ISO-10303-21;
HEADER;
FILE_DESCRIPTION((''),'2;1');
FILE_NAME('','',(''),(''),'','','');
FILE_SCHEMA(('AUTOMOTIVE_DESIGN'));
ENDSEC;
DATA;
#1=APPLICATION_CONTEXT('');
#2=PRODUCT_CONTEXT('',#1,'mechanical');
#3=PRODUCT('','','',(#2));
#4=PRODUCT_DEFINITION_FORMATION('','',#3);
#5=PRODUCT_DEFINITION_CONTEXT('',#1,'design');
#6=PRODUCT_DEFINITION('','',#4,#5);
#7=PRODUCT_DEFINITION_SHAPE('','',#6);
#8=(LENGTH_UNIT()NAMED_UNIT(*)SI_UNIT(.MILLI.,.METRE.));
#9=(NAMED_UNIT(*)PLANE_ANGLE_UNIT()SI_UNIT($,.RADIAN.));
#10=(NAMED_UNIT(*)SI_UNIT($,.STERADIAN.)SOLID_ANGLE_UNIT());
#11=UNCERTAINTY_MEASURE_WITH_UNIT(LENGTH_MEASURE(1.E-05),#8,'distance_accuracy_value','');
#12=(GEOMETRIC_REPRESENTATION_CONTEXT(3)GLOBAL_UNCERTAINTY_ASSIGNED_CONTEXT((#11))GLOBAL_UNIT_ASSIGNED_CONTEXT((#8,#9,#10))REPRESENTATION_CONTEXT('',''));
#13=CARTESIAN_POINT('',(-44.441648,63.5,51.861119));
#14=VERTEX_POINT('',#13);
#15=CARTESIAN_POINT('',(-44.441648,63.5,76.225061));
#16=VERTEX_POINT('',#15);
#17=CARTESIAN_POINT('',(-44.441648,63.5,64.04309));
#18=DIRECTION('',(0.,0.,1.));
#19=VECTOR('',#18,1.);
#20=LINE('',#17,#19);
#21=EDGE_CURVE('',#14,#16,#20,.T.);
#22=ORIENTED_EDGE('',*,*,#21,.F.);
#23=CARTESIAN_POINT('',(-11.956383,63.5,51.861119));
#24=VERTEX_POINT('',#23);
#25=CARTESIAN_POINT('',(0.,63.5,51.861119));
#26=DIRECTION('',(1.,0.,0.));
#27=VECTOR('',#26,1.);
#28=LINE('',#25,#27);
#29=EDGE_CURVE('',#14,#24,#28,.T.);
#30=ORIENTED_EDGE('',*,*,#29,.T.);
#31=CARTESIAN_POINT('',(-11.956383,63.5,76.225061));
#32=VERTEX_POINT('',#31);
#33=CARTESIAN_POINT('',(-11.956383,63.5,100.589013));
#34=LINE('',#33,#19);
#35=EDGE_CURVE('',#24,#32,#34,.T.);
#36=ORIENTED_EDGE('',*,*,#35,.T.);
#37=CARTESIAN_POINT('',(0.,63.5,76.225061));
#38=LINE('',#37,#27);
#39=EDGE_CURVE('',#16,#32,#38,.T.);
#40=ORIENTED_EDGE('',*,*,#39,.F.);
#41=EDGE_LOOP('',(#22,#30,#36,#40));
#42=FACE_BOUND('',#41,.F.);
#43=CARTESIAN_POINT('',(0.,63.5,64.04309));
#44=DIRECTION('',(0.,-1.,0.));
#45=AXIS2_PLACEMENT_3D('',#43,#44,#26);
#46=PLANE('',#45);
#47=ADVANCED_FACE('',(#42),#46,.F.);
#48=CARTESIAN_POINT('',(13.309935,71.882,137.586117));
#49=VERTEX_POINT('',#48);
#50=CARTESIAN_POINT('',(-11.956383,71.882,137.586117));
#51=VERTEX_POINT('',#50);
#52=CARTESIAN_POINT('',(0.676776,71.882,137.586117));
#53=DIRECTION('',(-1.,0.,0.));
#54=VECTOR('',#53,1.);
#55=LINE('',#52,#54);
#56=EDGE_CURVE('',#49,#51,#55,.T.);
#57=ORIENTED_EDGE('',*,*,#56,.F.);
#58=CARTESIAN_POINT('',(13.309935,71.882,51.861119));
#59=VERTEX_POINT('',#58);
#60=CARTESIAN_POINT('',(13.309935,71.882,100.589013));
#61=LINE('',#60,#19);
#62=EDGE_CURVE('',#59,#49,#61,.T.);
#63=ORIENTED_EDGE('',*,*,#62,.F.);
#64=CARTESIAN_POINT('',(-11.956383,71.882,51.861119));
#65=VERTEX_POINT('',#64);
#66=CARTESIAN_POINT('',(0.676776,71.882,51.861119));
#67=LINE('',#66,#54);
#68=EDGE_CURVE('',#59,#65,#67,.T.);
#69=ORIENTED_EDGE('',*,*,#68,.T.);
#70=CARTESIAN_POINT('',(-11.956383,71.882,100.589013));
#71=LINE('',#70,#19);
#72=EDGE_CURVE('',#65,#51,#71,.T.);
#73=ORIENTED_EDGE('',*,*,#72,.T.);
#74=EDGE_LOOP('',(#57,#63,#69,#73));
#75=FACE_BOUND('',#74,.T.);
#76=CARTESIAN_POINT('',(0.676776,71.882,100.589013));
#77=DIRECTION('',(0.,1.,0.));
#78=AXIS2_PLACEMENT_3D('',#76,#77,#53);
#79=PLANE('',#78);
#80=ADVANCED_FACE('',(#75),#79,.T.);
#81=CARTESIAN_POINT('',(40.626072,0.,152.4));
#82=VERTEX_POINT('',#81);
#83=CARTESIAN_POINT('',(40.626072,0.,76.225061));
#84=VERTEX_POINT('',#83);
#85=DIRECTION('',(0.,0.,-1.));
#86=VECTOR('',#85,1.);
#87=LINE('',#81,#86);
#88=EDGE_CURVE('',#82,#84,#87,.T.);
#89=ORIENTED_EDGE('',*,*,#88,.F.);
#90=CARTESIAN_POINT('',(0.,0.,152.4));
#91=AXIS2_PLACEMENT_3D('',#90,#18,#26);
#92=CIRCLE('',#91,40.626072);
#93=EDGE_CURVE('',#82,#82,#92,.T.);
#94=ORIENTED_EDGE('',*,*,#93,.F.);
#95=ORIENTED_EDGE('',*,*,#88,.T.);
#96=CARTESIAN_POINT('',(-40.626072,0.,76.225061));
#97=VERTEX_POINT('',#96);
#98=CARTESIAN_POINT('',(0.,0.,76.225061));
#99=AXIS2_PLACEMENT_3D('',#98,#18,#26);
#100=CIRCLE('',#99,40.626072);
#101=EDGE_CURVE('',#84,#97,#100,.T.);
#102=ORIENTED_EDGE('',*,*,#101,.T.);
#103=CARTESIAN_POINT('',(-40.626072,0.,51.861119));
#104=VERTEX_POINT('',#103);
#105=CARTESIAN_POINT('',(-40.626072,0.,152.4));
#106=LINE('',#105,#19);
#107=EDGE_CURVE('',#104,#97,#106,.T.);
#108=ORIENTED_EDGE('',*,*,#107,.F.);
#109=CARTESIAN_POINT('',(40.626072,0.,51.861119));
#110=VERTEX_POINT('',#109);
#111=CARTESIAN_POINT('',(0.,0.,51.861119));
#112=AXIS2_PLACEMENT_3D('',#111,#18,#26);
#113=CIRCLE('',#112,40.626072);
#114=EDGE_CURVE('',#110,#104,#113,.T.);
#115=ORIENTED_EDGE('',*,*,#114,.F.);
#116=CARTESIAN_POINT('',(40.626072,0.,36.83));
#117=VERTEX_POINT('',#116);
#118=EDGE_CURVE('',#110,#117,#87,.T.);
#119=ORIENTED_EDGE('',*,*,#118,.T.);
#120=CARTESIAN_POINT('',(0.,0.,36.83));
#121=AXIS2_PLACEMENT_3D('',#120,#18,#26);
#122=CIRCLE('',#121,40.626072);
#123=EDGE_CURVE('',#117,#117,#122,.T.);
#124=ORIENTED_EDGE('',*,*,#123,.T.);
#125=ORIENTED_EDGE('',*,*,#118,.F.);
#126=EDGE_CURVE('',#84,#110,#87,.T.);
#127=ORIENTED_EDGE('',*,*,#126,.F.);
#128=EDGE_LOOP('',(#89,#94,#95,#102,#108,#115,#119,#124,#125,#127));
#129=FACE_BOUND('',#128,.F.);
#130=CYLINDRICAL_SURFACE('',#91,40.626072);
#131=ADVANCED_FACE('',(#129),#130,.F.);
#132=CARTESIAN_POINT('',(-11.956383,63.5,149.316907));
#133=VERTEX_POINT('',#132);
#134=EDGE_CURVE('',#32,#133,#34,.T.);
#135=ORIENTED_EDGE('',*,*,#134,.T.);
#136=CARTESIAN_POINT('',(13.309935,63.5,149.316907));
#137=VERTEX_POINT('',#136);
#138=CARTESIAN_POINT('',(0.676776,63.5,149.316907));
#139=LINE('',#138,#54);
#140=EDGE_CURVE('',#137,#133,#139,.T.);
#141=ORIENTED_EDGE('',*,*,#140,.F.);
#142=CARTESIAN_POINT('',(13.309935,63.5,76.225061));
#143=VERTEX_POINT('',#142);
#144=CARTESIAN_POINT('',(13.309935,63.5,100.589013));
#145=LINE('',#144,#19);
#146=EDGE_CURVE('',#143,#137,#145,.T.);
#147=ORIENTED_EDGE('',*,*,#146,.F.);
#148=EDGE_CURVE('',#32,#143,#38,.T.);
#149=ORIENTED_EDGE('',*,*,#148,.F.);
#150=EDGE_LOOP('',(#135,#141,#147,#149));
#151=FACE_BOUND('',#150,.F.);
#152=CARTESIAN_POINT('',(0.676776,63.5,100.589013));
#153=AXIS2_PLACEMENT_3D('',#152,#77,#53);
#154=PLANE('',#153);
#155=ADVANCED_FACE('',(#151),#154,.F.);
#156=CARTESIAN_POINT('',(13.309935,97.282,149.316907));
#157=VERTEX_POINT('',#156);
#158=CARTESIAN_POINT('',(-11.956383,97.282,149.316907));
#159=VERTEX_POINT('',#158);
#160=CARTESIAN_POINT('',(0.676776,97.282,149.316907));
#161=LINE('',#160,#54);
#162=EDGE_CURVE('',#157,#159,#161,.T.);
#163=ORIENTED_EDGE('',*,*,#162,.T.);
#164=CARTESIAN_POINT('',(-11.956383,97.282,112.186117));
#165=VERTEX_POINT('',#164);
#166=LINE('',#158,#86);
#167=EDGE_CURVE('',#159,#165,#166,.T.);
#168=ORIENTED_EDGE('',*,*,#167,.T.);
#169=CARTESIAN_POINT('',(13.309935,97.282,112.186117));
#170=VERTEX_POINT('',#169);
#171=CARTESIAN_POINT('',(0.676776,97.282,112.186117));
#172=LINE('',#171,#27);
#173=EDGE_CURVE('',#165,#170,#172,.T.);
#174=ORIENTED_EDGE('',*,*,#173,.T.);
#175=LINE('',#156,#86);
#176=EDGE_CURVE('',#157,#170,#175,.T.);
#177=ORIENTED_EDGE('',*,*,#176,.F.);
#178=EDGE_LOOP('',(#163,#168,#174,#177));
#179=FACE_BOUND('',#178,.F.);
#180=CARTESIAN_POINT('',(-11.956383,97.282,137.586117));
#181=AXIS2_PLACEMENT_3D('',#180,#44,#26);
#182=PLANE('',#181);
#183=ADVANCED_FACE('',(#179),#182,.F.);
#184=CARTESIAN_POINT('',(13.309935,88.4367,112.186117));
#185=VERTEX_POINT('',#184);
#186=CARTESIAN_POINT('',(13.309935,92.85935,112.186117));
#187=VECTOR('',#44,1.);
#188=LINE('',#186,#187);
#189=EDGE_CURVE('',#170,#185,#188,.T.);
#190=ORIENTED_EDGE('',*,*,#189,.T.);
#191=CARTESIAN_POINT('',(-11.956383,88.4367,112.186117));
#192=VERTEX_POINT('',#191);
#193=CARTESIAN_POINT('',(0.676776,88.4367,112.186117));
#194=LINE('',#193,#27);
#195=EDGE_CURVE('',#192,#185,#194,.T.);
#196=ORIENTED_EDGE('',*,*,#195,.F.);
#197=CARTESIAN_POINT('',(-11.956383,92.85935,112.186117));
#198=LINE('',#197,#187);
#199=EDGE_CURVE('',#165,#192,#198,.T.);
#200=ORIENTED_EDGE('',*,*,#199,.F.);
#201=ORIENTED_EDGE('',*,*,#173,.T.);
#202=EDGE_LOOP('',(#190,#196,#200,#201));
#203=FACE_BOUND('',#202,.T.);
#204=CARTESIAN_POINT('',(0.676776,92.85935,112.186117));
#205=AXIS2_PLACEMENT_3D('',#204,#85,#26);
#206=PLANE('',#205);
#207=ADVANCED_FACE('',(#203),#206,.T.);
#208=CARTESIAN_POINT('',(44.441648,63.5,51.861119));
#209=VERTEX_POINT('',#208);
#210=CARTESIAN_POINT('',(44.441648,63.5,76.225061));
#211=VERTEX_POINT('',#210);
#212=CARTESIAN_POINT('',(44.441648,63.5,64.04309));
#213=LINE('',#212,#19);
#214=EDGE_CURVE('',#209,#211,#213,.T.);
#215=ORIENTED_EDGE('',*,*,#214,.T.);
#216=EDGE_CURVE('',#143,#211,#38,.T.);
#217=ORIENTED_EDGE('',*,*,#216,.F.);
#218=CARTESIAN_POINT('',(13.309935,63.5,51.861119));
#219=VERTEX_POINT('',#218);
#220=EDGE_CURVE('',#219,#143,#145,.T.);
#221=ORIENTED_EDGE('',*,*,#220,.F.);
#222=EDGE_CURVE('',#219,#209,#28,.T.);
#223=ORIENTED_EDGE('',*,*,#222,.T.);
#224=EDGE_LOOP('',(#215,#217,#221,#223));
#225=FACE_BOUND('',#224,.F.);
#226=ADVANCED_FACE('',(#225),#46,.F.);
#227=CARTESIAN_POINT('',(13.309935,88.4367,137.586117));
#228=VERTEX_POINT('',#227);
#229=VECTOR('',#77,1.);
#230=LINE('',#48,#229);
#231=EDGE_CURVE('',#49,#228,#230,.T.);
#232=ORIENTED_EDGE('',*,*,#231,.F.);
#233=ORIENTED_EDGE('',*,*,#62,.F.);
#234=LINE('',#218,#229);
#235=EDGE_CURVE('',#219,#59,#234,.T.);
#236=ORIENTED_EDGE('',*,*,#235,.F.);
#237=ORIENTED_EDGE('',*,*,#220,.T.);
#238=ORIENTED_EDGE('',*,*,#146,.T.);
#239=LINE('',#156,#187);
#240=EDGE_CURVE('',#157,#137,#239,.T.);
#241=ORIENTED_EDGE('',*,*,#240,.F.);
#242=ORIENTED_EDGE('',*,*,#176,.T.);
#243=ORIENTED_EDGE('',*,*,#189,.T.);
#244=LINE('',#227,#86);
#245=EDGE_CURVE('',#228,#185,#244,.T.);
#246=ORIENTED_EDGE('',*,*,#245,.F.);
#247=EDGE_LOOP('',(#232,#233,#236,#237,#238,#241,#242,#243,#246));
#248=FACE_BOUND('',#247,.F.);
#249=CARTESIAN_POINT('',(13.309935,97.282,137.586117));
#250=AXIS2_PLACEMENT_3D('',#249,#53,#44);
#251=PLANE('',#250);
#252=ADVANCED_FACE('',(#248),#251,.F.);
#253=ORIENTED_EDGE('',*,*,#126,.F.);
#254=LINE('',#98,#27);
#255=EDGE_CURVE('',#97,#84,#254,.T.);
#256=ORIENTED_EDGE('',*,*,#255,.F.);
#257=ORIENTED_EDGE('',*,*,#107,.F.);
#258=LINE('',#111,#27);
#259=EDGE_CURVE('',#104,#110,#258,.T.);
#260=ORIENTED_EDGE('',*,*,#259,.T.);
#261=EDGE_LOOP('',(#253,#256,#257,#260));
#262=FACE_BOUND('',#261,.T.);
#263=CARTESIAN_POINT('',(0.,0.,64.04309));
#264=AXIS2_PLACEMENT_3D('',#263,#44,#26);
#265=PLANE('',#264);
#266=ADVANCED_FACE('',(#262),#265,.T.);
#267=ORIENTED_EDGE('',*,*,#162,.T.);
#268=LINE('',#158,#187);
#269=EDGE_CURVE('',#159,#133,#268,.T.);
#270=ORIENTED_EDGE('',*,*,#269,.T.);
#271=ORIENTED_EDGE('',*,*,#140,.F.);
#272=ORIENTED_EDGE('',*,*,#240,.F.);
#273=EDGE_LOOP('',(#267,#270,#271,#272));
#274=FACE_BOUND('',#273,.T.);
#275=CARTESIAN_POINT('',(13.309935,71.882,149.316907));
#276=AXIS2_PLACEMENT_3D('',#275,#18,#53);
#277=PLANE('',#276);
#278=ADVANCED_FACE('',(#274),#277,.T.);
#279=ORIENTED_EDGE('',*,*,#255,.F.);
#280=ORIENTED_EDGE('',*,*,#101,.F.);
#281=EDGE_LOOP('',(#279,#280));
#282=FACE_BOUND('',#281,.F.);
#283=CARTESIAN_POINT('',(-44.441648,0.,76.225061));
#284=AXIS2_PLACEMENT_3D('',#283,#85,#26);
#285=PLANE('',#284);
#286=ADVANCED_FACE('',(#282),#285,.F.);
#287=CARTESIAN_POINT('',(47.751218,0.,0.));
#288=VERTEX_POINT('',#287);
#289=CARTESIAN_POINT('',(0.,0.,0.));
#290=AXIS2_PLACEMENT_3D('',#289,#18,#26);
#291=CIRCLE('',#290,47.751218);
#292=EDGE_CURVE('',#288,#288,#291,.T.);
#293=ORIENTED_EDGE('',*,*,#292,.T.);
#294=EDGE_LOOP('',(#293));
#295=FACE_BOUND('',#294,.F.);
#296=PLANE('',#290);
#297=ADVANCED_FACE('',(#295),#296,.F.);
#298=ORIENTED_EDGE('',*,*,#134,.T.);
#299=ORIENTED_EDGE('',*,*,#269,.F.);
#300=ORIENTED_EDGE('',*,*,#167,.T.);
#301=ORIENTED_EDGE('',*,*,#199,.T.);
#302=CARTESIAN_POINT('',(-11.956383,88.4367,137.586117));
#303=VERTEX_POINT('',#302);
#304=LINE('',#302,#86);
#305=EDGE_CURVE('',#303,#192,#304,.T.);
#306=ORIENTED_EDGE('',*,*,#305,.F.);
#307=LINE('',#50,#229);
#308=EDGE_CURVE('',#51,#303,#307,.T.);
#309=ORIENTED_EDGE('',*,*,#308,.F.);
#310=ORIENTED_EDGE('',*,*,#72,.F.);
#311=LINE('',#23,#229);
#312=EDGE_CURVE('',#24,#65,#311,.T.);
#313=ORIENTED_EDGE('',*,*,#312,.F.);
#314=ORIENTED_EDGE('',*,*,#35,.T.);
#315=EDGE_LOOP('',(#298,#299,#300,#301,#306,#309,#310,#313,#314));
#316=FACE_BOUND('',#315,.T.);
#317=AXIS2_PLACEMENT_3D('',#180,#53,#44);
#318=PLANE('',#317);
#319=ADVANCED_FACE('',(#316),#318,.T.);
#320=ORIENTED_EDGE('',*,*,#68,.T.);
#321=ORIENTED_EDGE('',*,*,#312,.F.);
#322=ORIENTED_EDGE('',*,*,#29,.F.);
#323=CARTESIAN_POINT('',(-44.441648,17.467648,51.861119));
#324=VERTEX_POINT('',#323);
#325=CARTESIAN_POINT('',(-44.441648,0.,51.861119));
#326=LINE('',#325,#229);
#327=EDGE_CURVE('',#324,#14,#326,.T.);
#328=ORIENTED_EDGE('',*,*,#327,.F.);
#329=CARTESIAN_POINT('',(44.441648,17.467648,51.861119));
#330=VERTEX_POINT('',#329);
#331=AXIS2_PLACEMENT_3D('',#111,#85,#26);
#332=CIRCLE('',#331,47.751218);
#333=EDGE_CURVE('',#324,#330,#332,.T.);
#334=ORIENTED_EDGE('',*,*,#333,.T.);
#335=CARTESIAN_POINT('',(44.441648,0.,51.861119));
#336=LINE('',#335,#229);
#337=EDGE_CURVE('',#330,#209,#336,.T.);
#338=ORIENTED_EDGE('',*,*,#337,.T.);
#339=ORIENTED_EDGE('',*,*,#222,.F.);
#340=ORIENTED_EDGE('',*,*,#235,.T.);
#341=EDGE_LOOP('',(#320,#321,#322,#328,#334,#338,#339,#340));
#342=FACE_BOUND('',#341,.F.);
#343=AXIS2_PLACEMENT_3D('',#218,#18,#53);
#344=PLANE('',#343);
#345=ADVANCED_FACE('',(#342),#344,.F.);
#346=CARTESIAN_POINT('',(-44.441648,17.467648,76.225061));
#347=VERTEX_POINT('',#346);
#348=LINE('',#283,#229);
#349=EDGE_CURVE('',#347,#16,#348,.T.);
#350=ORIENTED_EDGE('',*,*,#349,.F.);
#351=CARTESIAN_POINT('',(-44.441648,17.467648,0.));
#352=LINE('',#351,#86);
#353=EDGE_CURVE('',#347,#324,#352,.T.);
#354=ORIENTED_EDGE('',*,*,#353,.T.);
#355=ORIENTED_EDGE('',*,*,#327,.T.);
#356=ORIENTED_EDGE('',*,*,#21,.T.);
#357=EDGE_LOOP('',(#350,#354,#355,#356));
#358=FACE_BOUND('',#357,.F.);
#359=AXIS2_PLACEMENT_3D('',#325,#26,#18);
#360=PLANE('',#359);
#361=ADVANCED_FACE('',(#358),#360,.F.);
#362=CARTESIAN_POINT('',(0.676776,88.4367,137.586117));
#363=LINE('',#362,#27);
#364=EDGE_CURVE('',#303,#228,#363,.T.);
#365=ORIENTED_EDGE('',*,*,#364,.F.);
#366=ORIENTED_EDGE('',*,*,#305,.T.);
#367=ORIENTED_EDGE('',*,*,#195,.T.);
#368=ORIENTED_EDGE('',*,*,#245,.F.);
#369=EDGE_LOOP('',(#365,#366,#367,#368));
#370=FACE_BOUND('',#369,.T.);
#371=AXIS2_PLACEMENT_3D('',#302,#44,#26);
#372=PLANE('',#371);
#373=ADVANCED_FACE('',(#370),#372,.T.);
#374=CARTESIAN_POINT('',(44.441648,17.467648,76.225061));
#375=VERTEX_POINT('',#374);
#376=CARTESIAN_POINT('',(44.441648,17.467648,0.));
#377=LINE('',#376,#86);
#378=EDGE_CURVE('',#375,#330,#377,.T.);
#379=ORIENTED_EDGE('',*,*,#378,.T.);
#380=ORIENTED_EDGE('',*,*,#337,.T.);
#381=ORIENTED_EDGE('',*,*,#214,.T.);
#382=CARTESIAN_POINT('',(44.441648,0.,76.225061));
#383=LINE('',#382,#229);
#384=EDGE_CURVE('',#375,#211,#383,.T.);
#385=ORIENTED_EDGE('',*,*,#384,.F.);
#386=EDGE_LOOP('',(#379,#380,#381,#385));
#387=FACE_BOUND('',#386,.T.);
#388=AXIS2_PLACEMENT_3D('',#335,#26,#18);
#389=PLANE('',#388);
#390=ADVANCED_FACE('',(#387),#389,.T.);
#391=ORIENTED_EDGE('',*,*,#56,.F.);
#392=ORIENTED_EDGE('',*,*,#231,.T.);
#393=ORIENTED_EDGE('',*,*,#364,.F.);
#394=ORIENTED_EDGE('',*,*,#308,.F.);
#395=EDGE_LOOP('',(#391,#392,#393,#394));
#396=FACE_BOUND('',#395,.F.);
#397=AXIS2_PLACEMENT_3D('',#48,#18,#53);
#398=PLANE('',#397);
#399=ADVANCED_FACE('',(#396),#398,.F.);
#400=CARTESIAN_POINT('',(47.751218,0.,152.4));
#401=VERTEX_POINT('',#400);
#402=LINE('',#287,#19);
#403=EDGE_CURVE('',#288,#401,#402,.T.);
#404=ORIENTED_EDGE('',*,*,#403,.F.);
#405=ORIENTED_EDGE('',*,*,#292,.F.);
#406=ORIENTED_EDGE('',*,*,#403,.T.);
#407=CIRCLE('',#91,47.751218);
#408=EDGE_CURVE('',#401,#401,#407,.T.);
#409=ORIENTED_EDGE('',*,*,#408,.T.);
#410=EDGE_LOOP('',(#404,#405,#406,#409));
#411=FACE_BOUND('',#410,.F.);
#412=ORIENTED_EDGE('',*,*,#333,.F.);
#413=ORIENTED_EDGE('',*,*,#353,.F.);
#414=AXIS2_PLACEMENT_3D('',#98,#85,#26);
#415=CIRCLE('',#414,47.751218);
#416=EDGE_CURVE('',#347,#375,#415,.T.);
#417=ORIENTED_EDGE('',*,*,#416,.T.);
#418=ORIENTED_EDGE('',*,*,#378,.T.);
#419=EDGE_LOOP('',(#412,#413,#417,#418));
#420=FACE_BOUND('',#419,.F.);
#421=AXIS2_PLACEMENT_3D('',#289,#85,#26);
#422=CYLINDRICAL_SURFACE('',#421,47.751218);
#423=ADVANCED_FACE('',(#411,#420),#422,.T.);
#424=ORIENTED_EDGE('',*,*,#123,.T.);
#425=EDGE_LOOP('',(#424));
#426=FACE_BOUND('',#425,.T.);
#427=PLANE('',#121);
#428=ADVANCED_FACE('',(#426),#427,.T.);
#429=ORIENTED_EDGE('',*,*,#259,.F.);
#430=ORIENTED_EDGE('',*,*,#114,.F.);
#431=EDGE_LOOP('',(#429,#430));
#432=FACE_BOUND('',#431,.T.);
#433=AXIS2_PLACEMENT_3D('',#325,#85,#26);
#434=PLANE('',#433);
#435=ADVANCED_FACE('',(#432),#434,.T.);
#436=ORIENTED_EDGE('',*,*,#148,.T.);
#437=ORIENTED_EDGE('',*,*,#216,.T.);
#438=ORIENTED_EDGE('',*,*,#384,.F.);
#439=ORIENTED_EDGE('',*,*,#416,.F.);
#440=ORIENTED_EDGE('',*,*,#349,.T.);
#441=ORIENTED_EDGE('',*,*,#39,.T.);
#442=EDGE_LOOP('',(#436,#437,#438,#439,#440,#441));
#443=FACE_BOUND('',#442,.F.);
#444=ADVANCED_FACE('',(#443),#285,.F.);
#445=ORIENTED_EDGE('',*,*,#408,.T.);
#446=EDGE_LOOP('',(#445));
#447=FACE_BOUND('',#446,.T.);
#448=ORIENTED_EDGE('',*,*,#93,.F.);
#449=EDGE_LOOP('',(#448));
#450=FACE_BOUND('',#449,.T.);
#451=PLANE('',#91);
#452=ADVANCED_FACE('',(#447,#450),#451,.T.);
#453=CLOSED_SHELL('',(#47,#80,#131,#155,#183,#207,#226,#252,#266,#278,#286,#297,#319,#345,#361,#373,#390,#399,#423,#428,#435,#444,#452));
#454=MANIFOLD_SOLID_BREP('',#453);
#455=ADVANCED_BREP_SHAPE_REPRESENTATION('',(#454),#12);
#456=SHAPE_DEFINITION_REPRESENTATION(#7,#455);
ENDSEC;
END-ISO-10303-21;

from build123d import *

# Parameters (mm, degrees)
F0_R      = 47.751218
F1_DEPTH  = 152.4
F2_R      = 40.626072
F3_DEPTH  = 115.57
F4_W      = 88.883296
F4_H      = 24.363942
F5_DEPTH  = 63.5
F6_W      = 25.266318
F6_H      = 97.455788
F7_DEPTH  = 8.382
F8_W      = 25.266318
F8_H      = 11.73079
F9_DEPTH  = 25.4
F10_W     = 25.266318
F10_H     = 8.8453
F11_DEPTH = 25.4


with BuildPart() as f1:
    # F0 (on Top) → F1 (new body)
    with BuildSketch(Plane.XY):
        Circle(F0_R)
    extrude(amount=F1_DEPTH)

    # F2 (on face) → F3 (cut)
    with BuildSketch(Plane.XY.offset(152.4)):
        Circle(F2_R)
    extrude(amount=-F3_DEPTH, mode=Mode.SUBTRACT)

    # F4 (on Front) → F5 (join)
    with BuildSketch(Plane.XZ):
        with Locations((0, 64.04309)):
            Rectangle(F4_W, F4_H)
    extrude(amount=-F5_DEPTH)

    # F6 (on face) → F7 (join)
    with BuildSketch(Plane(origin=(0, 63.5, 0), x_dir=(-1, 0, 0), z_dir=(0, 1, 0))):
        with Locations((-0.676776, 100.589013)):
            Rectangle(F6_W, F6_H)
    extrude(amount=F7_DEPTH)

    # F8 (on face) → F9 (join)
    with BuildSketch(Plane(origin=(0, 71.882, 0), x_dir=(-1, 0, 0), z_dir=(0, 1, 0))):
        with Locations((-0.676776, 143.451512)):
            Rectangle(F8_W, F8_H)
    extrude(amount=F9_DEPTH)

    # F10 (on face) → F11 (join)
    with BuildSketch(Plane(origin=(0, 0, 137.586117), x_dir=(1, 0, 0), z_dir=(0, 0, -1))):
        with Locations((0.676776, -92.85935)):
            Rectangle(F10_W, F10_H)
    extrude(amount=F11_DEPTH)


solid = f1.part
